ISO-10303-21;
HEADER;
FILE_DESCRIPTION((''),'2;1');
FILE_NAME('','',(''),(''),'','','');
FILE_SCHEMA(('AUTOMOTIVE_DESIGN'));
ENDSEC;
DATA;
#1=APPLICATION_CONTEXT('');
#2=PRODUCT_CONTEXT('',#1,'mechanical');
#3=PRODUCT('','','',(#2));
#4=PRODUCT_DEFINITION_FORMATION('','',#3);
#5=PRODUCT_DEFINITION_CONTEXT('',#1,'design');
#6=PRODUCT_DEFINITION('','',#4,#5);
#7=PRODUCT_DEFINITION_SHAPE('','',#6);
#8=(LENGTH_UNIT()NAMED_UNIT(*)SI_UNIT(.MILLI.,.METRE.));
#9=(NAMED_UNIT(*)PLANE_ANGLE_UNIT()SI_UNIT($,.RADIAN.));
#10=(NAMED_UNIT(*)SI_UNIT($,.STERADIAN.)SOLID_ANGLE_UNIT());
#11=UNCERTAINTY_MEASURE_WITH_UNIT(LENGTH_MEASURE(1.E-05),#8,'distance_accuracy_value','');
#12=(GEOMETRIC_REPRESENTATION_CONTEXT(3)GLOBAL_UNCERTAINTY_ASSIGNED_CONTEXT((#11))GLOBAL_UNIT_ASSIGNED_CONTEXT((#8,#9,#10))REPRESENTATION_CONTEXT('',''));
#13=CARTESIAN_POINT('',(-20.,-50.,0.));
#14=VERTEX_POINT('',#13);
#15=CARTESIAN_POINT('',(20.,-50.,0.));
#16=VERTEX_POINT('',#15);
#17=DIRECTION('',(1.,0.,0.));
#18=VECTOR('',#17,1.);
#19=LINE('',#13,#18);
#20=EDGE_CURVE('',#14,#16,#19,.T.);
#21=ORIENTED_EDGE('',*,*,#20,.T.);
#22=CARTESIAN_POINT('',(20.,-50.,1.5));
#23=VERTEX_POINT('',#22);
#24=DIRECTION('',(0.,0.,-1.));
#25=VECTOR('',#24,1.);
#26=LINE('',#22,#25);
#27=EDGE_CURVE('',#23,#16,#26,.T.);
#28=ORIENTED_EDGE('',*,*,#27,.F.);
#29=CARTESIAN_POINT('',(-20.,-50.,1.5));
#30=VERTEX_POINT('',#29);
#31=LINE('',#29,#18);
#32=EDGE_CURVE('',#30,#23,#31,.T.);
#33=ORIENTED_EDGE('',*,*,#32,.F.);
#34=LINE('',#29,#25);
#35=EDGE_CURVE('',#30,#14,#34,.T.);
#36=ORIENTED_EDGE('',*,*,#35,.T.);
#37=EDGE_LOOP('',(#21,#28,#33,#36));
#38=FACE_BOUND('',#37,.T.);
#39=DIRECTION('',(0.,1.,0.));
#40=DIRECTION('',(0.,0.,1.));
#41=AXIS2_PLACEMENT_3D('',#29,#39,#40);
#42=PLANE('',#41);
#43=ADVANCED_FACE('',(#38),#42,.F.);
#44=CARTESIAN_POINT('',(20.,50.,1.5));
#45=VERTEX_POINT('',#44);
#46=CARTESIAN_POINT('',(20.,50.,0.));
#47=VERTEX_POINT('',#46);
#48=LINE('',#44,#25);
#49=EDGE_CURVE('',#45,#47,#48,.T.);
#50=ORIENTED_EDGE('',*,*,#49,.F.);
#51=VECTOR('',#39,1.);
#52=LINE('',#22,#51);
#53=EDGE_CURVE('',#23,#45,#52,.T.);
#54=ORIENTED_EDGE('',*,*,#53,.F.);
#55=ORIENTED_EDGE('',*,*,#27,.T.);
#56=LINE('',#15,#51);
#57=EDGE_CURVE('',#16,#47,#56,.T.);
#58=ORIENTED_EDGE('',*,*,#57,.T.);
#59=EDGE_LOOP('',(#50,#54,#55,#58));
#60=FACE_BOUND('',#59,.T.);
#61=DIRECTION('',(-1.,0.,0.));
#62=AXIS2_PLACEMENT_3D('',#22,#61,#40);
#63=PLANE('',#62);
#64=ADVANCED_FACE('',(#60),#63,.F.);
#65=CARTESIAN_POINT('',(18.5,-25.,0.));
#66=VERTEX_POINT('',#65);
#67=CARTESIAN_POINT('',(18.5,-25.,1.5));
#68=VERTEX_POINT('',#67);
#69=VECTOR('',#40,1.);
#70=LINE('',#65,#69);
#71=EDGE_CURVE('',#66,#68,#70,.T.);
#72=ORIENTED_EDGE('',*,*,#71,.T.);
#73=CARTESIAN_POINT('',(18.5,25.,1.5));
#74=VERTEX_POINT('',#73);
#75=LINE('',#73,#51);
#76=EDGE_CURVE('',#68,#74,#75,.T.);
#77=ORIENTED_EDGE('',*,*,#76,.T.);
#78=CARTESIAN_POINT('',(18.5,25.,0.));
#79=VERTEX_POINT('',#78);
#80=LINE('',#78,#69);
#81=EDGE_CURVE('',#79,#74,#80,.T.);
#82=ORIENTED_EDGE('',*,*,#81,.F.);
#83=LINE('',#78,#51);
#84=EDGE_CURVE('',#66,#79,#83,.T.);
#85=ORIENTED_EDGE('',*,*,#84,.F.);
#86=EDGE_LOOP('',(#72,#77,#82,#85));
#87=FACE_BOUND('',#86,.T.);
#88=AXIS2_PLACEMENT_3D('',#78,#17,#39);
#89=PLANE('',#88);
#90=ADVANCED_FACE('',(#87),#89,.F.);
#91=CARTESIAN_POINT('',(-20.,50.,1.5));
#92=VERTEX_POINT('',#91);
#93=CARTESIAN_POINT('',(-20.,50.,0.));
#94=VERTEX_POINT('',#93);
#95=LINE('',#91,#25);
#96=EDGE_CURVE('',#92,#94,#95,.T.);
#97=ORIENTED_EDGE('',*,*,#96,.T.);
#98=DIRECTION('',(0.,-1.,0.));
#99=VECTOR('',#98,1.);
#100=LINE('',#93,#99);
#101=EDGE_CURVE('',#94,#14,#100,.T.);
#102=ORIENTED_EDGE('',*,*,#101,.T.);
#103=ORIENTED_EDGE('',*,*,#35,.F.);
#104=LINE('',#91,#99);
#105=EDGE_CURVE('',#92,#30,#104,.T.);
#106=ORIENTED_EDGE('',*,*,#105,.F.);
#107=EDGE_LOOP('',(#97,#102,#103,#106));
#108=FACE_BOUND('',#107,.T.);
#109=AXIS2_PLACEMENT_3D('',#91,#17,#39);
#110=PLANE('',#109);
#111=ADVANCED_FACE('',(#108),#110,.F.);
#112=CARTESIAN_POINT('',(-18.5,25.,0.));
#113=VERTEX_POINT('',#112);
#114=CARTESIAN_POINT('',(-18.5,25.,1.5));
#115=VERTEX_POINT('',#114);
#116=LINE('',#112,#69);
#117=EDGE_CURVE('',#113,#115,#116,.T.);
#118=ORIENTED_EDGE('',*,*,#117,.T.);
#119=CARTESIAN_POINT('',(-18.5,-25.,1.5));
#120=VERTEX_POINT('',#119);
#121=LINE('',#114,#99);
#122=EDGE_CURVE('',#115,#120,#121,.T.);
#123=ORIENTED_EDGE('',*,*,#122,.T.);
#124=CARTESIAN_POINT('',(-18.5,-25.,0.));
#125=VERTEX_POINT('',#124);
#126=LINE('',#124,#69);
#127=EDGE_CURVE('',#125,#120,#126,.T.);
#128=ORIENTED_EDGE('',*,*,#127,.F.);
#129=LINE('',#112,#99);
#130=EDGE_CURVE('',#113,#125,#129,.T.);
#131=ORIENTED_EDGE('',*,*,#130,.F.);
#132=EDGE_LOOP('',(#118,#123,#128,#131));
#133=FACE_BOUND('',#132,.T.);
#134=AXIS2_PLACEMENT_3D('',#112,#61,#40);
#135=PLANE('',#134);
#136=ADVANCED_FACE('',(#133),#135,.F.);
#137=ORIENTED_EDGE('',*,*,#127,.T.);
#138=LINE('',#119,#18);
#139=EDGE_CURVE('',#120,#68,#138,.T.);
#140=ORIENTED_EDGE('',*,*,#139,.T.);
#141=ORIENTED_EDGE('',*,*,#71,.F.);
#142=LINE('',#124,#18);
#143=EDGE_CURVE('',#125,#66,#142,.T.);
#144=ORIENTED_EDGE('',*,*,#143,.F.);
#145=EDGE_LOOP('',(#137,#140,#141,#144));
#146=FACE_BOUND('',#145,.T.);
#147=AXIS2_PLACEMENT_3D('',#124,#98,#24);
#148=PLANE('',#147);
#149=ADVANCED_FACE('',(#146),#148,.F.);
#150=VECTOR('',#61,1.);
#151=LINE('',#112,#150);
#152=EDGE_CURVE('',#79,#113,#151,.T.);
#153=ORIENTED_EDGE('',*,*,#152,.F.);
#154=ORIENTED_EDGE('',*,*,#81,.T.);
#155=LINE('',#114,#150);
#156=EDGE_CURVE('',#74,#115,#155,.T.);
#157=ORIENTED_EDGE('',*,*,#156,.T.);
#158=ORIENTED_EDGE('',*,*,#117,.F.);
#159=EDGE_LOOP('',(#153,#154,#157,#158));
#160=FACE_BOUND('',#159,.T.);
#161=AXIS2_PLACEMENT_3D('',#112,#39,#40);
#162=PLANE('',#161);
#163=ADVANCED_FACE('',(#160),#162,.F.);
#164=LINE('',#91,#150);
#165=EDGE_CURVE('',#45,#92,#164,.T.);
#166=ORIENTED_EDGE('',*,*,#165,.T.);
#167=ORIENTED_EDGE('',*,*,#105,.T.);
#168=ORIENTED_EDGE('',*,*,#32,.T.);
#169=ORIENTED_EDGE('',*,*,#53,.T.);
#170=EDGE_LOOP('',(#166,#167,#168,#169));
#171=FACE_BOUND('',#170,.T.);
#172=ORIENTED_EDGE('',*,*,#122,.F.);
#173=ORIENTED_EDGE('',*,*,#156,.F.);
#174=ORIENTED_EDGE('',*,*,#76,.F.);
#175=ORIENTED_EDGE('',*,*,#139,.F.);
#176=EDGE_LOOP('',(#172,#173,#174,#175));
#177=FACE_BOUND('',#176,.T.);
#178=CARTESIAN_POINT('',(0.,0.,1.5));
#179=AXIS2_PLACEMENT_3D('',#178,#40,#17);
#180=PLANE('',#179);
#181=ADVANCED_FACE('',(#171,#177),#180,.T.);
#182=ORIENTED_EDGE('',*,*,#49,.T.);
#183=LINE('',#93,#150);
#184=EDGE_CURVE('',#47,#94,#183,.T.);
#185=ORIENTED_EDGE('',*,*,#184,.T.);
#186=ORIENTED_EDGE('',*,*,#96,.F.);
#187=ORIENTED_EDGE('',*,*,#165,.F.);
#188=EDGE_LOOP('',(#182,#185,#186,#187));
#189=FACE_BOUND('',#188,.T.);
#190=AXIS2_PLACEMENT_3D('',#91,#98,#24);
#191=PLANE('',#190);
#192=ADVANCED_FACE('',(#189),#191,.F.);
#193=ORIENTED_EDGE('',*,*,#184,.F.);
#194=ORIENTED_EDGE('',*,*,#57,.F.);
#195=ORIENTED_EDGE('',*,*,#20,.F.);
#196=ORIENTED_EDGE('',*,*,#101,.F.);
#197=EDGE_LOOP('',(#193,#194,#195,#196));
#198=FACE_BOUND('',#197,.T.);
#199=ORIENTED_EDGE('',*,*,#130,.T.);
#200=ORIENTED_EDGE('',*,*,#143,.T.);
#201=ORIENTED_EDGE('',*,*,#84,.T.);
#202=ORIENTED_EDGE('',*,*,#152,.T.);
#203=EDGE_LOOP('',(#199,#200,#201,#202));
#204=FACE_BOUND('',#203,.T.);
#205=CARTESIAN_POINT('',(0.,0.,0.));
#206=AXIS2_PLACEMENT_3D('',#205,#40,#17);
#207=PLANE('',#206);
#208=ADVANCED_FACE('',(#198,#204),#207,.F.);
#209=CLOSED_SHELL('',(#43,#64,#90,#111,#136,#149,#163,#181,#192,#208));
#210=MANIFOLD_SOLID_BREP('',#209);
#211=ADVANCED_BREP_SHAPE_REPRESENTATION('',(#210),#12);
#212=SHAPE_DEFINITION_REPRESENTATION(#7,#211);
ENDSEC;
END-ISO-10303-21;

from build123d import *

# Parameters (mm, degrees)
SKETCH1_W           = 40
SKETCH1_H           = 100
BOSS_EXTRUDE1_DEPTH = 1.5
SKETCH2_W           = 37
SKETCH2_H           = 50
CUT_EXTRUDE1_DEPTH  = 1.5


with BuildPart() as part:
    # Sketch1 → Boss-Extrude1 (new body)
    with BuildSketch(Plane.XY):
        Rectangle(SKETCH1_W, SKETCH1_H)
    extrude(amount=BOSS_EXTRUDE1_DEPTH)

    # Sketch2 → Cut-Extrude1 (cut)
    with BuildSketch(Plane.XY.offset(1.5)):
        Rectangle(SKETCH2_W, SKETCH2_H)
    extrude(amount=-CUT_EXTRUDE1_DEPTH, mode=Mode.SUBTRACT)


solid = part.part
